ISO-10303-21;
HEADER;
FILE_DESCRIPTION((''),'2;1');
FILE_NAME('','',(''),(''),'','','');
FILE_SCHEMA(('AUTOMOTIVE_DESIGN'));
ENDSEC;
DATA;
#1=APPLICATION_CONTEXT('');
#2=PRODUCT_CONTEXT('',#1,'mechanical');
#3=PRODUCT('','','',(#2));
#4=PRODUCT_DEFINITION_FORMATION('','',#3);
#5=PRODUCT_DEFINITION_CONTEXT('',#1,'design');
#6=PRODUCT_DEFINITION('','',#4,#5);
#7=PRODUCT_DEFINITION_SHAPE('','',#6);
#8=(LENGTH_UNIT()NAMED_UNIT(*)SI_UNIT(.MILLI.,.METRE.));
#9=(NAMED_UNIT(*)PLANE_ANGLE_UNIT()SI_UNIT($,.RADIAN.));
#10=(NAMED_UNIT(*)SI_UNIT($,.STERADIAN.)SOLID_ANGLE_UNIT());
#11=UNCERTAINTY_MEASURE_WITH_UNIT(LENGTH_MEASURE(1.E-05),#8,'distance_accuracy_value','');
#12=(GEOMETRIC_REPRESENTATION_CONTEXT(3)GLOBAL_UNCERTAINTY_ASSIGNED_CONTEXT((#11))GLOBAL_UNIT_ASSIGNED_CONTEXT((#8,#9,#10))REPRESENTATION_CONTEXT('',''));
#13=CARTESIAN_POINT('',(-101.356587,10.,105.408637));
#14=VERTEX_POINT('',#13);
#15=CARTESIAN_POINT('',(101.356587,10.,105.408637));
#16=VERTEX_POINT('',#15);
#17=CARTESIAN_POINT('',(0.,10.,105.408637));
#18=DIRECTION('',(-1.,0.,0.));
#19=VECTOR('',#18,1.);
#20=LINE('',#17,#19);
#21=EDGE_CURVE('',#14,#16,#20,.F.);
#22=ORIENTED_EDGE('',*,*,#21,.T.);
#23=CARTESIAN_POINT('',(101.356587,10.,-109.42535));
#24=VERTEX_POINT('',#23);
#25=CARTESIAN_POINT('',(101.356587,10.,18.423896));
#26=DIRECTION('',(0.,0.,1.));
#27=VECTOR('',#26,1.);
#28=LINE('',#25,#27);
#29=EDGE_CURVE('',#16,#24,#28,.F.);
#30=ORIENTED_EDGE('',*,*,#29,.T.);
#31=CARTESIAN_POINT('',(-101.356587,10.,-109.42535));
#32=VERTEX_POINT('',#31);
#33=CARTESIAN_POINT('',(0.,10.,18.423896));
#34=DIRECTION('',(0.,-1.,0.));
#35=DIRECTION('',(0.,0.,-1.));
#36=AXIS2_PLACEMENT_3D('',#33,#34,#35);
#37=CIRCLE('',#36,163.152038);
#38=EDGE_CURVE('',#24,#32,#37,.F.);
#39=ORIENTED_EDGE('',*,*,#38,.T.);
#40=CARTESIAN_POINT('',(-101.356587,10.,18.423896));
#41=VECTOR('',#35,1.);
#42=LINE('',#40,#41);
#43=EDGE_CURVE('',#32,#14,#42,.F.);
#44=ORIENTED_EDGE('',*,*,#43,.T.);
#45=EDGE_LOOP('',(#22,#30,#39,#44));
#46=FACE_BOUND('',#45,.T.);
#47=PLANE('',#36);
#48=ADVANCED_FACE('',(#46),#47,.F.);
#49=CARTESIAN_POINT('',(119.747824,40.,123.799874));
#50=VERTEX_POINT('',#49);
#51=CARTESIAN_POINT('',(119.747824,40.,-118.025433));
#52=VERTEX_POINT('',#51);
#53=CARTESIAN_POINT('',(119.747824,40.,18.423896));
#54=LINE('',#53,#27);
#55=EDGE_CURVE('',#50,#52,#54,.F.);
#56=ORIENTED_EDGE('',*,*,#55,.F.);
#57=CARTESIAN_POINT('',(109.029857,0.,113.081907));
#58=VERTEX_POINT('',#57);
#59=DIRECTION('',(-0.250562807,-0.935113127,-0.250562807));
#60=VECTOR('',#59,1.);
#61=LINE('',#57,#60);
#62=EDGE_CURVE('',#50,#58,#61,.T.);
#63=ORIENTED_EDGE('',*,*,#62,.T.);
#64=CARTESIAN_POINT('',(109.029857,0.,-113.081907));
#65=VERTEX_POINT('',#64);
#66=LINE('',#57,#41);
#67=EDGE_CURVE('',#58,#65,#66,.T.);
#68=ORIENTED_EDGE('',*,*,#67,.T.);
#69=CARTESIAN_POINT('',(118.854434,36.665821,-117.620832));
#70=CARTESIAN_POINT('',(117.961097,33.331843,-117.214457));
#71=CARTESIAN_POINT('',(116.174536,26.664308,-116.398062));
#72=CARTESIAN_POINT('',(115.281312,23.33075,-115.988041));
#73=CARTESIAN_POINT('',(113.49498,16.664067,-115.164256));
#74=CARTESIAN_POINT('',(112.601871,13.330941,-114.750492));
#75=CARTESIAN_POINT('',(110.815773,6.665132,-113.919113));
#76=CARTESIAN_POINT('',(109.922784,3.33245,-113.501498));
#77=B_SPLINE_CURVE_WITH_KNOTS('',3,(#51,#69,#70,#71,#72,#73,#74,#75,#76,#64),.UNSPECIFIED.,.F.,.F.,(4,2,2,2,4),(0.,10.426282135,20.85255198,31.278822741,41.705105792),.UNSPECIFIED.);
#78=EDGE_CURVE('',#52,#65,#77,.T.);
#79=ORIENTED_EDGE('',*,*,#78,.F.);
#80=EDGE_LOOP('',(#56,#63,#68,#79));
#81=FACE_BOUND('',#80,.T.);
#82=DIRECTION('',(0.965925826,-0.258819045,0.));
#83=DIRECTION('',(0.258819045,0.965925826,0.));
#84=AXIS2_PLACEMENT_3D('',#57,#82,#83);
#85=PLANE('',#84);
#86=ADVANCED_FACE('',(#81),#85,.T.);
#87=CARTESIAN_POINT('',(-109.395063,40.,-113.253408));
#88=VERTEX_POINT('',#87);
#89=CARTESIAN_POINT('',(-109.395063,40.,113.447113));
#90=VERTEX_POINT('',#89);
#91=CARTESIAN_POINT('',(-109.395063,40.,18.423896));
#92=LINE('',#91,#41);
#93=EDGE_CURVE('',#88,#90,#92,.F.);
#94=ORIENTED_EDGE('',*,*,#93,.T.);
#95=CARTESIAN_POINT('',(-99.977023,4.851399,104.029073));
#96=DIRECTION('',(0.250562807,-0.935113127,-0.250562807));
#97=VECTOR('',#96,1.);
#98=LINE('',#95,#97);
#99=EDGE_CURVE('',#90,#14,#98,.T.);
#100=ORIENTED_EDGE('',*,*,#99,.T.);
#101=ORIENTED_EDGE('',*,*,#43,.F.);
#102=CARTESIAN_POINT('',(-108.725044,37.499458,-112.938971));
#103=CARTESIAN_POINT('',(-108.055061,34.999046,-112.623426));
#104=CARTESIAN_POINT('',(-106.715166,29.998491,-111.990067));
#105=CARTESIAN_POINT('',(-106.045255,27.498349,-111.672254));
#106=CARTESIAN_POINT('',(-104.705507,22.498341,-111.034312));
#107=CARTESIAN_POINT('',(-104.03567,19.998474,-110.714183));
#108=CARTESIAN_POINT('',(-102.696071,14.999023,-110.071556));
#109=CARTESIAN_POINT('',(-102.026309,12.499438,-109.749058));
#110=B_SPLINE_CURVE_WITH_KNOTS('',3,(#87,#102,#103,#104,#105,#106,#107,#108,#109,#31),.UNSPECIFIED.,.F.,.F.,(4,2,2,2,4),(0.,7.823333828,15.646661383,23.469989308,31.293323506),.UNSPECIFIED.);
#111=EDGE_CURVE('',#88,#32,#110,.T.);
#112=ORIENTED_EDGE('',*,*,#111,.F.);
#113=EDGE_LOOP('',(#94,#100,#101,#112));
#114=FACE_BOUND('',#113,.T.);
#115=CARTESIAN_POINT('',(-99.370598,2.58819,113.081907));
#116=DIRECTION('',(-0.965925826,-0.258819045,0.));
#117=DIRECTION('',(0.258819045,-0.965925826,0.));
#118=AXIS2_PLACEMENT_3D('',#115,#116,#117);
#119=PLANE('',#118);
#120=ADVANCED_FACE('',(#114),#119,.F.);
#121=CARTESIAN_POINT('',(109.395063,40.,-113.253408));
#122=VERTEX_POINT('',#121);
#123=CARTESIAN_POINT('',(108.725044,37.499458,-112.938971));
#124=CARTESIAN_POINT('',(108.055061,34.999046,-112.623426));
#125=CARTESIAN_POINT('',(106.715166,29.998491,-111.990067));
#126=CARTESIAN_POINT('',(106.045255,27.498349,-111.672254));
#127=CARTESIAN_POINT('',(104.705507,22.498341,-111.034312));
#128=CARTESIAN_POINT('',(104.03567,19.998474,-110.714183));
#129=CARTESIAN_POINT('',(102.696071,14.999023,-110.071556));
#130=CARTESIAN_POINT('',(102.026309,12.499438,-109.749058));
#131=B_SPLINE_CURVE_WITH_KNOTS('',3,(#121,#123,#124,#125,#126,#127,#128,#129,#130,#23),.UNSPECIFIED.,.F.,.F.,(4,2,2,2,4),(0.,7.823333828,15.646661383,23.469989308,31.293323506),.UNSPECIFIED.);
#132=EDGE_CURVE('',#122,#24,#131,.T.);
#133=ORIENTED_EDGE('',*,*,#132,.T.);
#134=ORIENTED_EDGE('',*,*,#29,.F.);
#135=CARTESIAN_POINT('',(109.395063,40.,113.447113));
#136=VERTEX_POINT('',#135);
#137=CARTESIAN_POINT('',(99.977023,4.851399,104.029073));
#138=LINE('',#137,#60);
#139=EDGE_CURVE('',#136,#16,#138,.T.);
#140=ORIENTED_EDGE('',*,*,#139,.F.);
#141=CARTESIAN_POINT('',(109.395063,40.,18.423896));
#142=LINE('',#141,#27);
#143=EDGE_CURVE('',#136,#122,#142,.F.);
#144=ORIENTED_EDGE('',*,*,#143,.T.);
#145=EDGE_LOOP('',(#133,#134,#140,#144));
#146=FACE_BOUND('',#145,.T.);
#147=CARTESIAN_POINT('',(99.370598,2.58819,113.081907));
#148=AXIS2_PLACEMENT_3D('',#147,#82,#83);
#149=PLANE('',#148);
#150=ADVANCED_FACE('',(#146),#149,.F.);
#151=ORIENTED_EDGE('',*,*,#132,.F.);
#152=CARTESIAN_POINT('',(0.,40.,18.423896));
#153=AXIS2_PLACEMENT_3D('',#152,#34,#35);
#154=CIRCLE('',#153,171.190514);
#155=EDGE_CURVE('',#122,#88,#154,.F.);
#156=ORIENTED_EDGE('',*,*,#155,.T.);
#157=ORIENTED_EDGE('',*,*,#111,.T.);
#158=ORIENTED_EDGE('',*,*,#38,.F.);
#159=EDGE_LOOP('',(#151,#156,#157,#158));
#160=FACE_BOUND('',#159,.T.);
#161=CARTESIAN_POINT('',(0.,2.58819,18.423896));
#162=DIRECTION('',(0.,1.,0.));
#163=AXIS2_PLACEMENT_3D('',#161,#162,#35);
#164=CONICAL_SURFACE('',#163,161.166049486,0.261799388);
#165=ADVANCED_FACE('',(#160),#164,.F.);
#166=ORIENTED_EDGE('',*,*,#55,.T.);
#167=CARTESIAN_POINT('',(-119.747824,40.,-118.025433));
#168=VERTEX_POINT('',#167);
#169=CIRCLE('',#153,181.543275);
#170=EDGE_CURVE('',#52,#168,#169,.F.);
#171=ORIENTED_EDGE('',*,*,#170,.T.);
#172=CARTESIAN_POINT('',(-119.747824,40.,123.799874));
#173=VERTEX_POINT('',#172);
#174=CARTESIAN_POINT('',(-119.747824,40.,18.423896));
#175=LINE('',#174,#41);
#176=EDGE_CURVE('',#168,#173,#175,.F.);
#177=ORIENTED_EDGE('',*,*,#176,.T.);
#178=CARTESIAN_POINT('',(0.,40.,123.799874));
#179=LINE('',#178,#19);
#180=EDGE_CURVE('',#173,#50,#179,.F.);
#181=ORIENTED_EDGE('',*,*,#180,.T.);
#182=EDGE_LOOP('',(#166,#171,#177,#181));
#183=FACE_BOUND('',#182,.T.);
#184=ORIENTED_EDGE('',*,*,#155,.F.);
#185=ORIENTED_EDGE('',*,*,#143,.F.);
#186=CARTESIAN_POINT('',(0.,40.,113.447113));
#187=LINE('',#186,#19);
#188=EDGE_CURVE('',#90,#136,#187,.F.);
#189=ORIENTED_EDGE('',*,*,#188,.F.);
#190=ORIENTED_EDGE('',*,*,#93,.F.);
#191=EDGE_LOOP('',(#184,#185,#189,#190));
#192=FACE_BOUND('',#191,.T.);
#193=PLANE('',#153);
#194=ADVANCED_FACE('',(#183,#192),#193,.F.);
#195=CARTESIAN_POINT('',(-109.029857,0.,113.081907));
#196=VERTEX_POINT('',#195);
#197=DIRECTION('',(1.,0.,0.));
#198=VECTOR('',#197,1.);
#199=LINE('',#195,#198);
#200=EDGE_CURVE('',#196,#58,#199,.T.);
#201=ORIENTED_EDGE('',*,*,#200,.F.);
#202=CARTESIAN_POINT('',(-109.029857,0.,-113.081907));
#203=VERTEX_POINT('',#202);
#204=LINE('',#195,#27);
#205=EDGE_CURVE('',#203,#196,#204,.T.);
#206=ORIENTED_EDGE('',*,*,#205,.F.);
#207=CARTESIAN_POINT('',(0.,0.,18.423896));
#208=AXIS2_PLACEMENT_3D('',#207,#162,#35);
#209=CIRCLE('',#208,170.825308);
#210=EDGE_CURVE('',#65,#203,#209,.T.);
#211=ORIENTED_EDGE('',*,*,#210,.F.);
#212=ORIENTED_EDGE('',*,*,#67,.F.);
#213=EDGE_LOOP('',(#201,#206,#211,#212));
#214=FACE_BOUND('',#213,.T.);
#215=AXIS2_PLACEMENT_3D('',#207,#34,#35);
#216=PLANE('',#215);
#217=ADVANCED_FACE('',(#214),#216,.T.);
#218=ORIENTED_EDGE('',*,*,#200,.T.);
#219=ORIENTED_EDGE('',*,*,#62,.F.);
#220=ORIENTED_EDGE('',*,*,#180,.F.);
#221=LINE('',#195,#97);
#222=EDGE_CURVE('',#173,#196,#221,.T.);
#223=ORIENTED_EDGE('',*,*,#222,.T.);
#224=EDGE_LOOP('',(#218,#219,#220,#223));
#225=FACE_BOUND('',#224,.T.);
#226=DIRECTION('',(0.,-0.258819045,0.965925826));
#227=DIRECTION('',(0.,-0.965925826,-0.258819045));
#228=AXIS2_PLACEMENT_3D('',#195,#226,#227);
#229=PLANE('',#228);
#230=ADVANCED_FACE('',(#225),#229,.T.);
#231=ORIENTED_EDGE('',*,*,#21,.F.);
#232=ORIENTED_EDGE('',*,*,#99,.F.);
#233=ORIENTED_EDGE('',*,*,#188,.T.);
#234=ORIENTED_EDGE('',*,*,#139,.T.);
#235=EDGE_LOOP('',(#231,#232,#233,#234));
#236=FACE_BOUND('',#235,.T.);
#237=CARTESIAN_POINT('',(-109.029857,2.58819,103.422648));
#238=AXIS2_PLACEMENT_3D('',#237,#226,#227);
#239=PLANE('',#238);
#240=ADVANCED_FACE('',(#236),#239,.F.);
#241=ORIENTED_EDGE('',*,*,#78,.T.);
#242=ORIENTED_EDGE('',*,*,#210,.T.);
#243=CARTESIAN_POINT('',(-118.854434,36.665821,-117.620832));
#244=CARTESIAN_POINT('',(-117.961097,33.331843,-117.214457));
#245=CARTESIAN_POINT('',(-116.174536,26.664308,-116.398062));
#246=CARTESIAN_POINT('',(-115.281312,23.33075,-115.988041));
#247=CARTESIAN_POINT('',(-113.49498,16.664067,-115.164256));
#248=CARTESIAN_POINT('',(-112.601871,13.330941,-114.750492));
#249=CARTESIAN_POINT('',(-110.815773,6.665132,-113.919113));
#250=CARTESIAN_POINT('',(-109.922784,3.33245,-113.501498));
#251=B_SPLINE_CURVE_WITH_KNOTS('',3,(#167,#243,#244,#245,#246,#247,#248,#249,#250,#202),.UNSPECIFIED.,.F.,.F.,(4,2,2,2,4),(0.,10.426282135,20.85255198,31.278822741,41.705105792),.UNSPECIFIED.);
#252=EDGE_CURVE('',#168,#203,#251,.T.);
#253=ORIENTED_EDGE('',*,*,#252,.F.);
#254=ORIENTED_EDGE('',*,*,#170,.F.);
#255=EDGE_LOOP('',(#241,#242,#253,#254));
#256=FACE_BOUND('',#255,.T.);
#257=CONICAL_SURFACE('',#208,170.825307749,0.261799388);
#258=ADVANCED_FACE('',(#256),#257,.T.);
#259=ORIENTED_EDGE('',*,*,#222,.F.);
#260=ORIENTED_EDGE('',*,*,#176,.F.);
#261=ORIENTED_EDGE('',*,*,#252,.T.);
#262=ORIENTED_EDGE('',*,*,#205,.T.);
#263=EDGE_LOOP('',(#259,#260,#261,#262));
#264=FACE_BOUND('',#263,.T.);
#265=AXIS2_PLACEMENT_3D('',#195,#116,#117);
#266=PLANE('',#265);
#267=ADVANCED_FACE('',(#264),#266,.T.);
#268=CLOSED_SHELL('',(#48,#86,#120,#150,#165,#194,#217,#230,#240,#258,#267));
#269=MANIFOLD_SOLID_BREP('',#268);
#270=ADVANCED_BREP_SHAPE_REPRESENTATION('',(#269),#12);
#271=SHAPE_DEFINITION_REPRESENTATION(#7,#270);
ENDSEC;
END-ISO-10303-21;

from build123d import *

# Parameters (mm, degrees)
BOSS_EXTRUDE1_DEPTH = 40
BOSS_EXTRUDE1_DRAFT = -15
SHELL1_T            = -10


with BuildPart() as part:
    # Sketch1 → Boss-Extrude1 (with draft: the straight prism first)
    with BuildSketch(Plane(origin=(0, 0, 0), x_dir=(1, 0, 0), z_dir=(0, 1, 0))):
        with BuildLine():
            Line((-109.029856613, -113.081906669), (109.029856613, -113.081906669))
            Line((109.029856613, -113.081906669), (109.029856613, 113.081906669))
            ThreePointArc((109.029856613, 113.081906669), (0, 152.401411753), (-109.029856613, 113.081906669))
            Line((-109.029856613, 113.081906669), (-109.029856613, -113.081906669))
        make_face()
    extrude(amount=BOSS_EXTRUDE1_DEPTH)
    # Boss-Extrude1: the draft: its side faces are tilted about the plane it starts from
    boss_extrude1_sides = [part.faces().sort_by_distance(p)[0] for p in [
        (0, 20, 113.081906669),
        (109.029856613, 20, 0),
        (0, 20, -152.401411753),
        (-109.029856613, 20, 0),
    ]]
    draft(boss_extrude1_sides, Plane(origin=(0, 0, 0), x_dir=(1, 0, 0), z_dir=(0, 1, 0)), BOSS_EXTRUDE1_DRAFT)

    # Shell1
    shell1_openings = [part.faces().sort_by_distance(p)[0] for p in [
        (0, 40, -12.878837242),
    ]]
    offset(amount=SHELL1_T, openings=shell1_openings, kind=Kind.INTERSECTION)


solid = part.part
